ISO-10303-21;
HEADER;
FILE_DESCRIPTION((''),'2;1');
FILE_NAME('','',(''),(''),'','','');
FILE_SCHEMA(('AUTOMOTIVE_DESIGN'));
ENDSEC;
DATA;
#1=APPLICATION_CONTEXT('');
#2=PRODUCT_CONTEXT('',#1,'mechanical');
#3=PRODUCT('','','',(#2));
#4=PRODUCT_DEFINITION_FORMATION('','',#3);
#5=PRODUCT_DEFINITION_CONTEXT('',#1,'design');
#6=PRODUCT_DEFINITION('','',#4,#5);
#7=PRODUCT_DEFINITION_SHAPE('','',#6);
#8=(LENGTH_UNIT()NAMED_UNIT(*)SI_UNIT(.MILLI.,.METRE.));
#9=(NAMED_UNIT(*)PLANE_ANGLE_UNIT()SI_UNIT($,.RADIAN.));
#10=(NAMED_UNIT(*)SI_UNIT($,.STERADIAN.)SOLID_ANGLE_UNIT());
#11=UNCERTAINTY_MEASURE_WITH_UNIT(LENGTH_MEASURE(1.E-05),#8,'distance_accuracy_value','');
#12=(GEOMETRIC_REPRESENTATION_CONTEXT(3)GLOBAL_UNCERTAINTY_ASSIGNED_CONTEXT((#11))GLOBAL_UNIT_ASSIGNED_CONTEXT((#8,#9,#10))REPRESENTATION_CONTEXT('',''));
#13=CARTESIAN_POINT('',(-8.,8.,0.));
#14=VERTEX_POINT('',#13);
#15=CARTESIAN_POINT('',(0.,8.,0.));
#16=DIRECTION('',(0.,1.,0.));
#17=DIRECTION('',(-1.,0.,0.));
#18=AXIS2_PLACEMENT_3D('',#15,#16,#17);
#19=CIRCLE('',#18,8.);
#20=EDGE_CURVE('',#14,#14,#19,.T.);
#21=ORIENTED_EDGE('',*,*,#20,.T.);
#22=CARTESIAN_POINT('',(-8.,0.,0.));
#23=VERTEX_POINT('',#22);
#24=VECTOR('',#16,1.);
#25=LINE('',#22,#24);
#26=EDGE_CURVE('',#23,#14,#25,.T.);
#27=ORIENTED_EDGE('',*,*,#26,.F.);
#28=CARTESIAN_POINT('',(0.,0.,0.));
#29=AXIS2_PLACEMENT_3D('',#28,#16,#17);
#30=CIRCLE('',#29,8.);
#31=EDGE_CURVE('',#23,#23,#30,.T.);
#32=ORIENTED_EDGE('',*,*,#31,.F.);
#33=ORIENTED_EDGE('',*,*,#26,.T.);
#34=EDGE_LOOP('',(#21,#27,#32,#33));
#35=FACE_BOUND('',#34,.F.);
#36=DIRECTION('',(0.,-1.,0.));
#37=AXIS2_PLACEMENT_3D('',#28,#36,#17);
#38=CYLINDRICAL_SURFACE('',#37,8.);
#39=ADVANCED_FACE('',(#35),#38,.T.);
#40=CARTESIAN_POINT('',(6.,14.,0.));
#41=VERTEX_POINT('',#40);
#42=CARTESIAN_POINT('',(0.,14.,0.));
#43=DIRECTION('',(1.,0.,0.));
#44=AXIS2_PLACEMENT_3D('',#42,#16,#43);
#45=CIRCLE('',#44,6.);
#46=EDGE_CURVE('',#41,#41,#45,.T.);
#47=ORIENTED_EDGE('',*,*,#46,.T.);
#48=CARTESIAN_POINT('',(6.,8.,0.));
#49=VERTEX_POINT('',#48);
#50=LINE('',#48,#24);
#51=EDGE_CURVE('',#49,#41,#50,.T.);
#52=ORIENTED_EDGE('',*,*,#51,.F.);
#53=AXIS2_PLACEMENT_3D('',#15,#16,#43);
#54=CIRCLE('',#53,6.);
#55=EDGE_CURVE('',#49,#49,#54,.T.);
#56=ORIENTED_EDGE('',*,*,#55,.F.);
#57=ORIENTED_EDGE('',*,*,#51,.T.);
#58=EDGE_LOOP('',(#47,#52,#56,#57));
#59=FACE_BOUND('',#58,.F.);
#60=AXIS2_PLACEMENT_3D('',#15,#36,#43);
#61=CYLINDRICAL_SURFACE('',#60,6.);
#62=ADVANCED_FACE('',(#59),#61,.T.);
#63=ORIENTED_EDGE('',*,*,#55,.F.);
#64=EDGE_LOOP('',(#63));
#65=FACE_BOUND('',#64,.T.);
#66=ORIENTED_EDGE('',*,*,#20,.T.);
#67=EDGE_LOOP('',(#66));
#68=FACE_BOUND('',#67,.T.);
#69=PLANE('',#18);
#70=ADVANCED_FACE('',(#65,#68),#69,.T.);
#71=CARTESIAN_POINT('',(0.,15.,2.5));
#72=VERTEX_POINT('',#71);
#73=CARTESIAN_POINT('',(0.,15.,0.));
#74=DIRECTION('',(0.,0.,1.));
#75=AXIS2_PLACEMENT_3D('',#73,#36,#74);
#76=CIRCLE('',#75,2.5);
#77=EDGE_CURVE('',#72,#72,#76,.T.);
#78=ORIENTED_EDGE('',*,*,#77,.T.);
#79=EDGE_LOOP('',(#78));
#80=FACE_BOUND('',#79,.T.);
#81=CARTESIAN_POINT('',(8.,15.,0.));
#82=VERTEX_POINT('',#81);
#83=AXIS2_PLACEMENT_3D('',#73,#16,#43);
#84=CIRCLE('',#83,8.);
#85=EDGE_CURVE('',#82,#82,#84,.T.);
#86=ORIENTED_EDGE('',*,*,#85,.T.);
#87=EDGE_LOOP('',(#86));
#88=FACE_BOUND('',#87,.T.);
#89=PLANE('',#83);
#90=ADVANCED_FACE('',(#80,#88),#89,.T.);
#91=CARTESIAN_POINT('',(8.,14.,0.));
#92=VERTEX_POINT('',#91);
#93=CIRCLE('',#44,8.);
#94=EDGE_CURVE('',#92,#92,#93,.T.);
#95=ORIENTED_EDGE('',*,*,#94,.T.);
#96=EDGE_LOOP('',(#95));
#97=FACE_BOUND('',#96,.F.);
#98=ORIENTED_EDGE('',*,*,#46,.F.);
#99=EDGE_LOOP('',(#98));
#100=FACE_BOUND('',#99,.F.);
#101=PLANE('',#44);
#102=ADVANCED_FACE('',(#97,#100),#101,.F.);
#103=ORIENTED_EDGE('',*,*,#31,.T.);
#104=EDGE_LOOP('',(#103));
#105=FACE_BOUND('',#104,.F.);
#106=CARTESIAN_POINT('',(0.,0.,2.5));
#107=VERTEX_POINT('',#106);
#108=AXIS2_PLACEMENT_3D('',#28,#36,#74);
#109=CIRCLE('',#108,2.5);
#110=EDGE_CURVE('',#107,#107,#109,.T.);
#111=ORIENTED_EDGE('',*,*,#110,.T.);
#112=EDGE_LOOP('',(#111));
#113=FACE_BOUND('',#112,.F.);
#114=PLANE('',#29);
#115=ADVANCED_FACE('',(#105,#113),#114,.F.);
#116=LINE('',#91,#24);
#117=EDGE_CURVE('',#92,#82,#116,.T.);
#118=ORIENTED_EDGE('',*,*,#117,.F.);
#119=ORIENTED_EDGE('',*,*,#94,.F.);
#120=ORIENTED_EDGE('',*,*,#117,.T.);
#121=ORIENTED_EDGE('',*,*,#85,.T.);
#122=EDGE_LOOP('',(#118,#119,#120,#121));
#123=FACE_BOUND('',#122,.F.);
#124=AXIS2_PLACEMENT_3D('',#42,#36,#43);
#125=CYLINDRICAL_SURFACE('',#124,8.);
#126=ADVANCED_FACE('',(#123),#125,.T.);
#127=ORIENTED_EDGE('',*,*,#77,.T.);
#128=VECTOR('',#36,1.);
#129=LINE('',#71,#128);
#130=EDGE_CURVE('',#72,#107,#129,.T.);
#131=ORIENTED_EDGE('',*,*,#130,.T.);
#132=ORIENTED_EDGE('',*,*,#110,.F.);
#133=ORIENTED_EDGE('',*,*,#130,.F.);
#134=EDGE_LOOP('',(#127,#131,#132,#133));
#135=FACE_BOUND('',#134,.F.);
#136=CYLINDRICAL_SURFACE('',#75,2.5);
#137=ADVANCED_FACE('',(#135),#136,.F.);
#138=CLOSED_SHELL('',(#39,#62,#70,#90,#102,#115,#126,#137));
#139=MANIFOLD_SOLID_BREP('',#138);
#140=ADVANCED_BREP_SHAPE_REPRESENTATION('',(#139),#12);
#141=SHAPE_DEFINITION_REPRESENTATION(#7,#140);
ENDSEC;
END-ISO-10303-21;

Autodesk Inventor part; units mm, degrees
ref_plane "YZ Plane" through (0, 0, 0) normal (1, 0, 0) x (0, 1, 0)
ref_plane "XZ Plane" through (0, 0, 0) normal (0, 1, 0) x (-1, 0, 0)
ref_plane "XY Plane" through (0, 0, 0) normal (0, 0, 1) x (1, 0, 0)
sketch "Sketch1" plane through (0, 0, 0) normal (0, 1, 0) x (-1, 0, 0)
  circle A0 centre (0, 0) radius 8
  dimension "d0" = 16
extrude "Extrusion1" add sketch "Sketch1" along normal blind 8
sketch "Sketch2" plane through (0, 8, 0) normal (0, 1, 0) x (1, 0, 0)
  circle A0 centre (0, 0) radius 6
  dimension "d3" = 12
extrude "Extrusion2" add sketch "Sketch2" along normal blind 6
sketch "Sketch3" plane through (0, 14, 0) normal (0, 1, 0) x (1, 0, 0)
  circle A0 centre (0, 0) radius 8
  dimension "d6" = 16
extrude "Extrusion3" add sketch "Sketch3" along normal blind 1
sketch "Sketch4" plane through (0, 15, 0) normal (0, 1, 0) x (1, 0, 0)
  point P0 (0, 0)
  point P1 (0, 0)
hole "Hole1" at (0, 15, 0) direction (0, -1, 0) diameter 5 end through all
properties part number "GT2 20 Teeth Motor Pulley"
